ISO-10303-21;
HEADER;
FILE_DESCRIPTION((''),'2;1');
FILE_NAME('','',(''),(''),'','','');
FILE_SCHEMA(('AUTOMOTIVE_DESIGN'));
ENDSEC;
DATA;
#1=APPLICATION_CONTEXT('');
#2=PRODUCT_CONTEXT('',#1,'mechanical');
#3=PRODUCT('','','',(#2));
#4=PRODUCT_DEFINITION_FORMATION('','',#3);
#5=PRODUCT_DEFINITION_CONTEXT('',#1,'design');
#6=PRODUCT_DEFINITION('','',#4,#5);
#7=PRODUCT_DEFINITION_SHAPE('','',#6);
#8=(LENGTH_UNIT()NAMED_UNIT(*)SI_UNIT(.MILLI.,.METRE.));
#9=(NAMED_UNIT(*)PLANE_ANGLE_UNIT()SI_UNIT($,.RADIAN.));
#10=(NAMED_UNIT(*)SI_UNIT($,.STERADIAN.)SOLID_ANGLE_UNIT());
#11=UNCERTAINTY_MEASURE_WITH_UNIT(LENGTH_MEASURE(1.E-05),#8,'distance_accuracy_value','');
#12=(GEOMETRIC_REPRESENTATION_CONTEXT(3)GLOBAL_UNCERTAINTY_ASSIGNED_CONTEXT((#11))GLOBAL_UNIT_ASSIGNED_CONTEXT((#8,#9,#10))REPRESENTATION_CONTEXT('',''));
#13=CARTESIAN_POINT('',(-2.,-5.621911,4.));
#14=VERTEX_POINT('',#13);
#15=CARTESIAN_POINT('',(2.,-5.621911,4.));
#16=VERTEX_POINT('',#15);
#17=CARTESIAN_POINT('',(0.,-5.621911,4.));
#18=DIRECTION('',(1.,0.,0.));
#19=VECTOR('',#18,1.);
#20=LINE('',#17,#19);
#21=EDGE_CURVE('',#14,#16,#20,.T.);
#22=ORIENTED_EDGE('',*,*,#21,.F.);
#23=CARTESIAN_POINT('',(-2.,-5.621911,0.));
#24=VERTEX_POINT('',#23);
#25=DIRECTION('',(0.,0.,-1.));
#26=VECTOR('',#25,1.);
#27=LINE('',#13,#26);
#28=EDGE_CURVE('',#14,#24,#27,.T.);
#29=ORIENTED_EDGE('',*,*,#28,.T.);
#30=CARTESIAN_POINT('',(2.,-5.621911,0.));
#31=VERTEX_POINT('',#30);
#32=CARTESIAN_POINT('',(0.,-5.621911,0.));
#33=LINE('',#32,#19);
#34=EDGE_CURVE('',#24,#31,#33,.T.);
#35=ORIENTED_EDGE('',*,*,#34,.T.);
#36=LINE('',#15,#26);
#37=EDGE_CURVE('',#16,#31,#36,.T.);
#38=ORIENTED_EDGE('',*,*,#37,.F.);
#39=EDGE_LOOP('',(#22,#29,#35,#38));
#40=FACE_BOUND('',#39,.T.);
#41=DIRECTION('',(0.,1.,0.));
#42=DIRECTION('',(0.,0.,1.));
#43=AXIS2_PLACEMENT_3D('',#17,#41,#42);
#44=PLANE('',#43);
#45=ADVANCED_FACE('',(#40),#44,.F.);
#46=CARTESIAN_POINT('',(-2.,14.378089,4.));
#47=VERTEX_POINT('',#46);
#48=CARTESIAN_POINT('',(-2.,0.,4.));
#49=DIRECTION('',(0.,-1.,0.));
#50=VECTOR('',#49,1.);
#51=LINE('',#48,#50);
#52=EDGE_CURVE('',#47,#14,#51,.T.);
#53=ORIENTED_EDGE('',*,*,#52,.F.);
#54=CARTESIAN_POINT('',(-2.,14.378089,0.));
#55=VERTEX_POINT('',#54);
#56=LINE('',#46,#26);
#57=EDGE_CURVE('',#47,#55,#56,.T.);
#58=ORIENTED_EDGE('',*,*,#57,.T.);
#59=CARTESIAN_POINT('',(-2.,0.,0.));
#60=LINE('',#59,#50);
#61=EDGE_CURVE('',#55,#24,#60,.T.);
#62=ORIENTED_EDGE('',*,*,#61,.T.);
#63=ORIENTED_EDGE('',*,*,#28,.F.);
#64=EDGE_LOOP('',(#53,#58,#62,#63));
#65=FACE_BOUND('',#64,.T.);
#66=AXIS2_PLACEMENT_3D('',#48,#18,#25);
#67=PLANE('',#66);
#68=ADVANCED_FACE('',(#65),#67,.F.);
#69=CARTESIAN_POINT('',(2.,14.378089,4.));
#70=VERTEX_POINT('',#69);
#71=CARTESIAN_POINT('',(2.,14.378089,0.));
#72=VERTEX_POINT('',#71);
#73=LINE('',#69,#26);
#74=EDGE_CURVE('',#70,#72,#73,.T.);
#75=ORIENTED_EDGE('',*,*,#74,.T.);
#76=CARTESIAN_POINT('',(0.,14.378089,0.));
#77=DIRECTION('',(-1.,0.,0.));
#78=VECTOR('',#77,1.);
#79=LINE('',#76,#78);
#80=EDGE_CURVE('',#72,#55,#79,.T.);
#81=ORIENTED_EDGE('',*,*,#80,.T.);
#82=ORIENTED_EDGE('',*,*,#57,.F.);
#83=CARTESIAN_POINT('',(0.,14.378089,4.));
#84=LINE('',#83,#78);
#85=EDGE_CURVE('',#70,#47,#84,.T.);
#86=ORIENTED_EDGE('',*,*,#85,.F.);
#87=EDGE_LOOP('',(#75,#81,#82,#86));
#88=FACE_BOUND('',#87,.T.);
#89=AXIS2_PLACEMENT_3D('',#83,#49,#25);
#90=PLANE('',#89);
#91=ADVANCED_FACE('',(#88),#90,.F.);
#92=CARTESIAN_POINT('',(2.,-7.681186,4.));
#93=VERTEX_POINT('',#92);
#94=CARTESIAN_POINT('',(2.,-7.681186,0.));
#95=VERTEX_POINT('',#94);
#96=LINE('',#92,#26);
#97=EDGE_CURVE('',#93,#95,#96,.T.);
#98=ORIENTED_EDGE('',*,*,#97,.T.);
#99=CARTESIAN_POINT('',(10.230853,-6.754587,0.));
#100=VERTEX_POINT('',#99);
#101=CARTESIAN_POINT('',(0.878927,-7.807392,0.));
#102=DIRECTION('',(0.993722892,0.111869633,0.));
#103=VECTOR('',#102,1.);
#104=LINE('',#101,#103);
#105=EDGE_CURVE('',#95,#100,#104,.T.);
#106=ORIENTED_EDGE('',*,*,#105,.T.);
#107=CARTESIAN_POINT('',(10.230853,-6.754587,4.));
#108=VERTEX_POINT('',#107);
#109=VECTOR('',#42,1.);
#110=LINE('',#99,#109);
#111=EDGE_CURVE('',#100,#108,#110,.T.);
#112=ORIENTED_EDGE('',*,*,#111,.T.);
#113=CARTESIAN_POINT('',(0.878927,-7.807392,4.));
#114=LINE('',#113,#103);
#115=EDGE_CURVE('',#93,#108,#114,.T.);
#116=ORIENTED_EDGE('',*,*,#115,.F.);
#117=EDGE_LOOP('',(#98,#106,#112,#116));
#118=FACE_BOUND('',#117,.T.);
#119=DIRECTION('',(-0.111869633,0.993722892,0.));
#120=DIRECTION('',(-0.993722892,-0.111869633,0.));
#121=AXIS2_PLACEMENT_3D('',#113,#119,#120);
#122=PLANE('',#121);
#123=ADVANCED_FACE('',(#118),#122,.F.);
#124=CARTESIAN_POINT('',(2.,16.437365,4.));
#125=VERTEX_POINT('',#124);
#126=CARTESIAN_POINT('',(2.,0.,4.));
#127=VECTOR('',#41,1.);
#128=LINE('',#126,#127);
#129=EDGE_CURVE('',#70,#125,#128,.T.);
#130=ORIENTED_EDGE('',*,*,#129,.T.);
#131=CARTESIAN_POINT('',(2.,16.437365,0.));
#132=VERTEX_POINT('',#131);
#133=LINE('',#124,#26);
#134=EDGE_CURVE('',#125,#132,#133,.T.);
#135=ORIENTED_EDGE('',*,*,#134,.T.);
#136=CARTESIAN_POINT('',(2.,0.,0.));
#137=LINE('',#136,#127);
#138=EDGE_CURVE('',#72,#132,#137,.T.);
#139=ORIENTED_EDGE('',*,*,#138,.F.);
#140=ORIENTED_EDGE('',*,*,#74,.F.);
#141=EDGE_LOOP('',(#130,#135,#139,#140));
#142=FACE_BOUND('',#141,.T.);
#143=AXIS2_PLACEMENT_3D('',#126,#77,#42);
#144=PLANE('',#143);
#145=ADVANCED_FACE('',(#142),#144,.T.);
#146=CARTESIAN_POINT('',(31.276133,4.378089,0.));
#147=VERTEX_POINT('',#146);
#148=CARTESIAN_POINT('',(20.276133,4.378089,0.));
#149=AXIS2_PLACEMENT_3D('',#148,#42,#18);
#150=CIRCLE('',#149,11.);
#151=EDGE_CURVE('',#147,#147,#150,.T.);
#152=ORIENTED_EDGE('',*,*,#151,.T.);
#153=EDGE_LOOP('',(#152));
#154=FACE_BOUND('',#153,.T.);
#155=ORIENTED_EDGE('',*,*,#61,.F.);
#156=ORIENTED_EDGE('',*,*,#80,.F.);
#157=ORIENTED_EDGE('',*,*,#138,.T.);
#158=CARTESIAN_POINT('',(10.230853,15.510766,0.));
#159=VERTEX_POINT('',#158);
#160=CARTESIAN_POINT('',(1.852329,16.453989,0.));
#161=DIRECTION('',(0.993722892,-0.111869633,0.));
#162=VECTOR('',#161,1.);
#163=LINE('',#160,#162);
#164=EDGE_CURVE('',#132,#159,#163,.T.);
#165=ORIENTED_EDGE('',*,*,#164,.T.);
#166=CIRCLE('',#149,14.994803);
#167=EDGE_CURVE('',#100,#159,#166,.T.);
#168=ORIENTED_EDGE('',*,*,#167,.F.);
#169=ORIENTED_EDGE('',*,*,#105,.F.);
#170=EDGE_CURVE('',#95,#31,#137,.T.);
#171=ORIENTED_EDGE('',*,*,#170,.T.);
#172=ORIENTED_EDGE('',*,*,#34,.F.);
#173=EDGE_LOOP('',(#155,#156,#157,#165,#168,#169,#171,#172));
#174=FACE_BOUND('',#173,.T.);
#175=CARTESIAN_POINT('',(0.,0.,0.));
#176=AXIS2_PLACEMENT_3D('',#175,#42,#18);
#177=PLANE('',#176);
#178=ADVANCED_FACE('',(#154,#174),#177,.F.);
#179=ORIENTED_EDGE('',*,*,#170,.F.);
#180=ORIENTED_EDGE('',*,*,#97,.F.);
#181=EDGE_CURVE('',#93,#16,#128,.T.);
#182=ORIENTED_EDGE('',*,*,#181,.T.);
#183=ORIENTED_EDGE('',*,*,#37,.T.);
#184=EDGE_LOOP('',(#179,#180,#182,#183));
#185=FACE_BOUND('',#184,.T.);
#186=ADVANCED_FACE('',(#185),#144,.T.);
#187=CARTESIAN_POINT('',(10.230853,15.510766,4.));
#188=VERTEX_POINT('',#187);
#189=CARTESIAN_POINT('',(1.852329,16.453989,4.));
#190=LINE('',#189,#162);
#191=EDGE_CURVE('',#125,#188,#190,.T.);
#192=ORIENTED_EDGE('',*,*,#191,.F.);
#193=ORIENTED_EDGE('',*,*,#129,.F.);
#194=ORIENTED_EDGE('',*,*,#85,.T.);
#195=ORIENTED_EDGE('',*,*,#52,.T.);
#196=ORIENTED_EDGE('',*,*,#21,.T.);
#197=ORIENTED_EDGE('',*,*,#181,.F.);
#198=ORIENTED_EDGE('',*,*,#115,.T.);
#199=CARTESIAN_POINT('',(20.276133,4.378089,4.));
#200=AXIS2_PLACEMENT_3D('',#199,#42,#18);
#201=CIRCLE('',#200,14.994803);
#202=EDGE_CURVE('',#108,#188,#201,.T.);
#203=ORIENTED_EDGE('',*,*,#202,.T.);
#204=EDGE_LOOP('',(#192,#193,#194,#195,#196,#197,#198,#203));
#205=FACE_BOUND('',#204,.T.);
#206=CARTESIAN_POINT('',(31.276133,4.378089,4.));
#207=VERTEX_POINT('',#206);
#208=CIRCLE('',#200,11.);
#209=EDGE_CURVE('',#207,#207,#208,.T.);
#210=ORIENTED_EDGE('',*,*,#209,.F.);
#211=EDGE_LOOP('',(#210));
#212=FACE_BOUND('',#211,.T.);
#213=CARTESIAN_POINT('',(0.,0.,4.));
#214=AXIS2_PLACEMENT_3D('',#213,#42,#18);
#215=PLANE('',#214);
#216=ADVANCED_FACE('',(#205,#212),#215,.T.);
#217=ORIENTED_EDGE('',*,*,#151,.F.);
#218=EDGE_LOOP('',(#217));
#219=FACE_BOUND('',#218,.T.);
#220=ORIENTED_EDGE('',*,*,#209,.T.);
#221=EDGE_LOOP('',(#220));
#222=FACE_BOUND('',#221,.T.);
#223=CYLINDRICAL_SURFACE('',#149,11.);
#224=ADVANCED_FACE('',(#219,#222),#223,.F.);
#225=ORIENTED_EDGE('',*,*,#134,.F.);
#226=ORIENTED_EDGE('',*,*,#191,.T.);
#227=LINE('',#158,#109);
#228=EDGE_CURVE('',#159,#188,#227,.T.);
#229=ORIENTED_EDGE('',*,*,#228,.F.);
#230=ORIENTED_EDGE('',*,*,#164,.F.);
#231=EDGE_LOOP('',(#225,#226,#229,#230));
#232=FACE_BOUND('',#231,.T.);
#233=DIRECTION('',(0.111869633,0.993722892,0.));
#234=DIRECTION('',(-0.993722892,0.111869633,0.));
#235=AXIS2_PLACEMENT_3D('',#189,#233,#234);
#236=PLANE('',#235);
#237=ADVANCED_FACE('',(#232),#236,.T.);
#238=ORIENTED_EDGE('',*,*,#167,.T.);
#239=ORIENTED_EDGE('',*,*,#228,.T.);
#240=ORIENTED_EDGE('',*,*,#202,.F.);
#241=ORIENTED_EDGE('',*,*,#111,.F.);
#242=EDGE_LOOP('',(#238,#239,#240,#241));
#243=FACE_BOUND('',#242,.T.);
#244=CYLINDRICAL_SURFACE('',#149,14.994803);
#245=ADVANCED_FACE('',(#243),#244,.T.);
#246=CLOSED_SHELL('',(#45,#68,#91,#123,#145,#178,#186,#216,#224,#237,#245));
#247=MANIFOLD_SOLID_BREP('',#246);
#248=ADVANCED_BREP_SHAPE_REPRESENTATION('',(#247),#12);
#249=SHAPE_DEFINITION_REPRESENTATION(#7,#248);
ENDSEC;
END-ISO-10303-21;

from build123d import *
from build123d.topology import SkipClean

# Parameters (mm, degrees)
CROQUIS1_R              = 4.2
SALIENTE_EXTRUIR1_DEPTH = 4
SALIENTE_EXTRUIR2_DEPTH = 4
CROQUIS2_3_R            = 4.2
CORTAR_EXTRUIR1_DEPTH   = 4


with BuildPart() as part:
    # Croquis1 → Saliente-Extruir1 (new body)
    with BuildSketch(Plane.XY):
        with BuildLine():
            Line((2, 14.378089444), (-2, 14.378089444))
            Line((-2, 14.378089444), (-2, -5.621910556))
            Line((-2, -5.621910556), (2, -5.621910556))
            Line((2, -5.621910556), (2, -7.681185842))
            Line((2, -7.681185842), (20.292265124, -5.621910556))
            ThreePointArc((20.292265124, -5.621910556), (30.276145575, 4.378089444), (20.292265124, 14.378089444))
            Line((20.292265124, 14.378089444), (2, 16.43736473))
            Line((2, 16.43736473), (2, 14.378089444))
        make_face()
        with Locations((20.276132562, 4.378089444)):
            Circle(CROQUIS1_R, mode=Mode.SUBTRACT)
    extrude(amount=SALIENTE_EXTRUIR1_DEPTH)

    # Croquis2 → Saliente-Extruir2 (add)
    with BuildSketch(Plane.XY.offset(4)):
        with BuildLine():
            ThreePointArc((10.23085334, -6.754586935), (35.270935596, 4.378089444), (10.23085334, 15.510765823))
            Line((10.23085334, 15.510765823), (16.704250968, 14.782014755))
            ThreePointArc((16.704250968, 14.782014755), (26.667896891, 13.33048291), (31.276132562, 4.378089444))
            ThreePointArc((31.276132562, 4.378089444), (26.667896891, -4.574304022), (16.704250968, -6.025835867))
            Line((16.704250968, -6.025835867), (10.23085334, -6.754586935))
        make_face()
    extrude(amount=-SALIENTE_EXTRUIR2_DEPTH)

    # Croquis2<3> → Cortar-Extruir1 (cut)
    with SkipClean():  # the faces are left unmerged after this step: merging them gives an invalid solid
        with BuildSketch(Plane.XY.offset(4)):
            with BuildLine():
                ThreePointArc((16.704250968, 14.782014755), (15.618415295, 14.343312465), (14.585373454, 13.791657353))
                ThreePointArc((14.585373454, 13.791657353), (9.276534219, 4.472091013), (14.425321372, -4.936845253))
                ThreePointArc((14.425321372, -4.936845253), (15.533426587, -5.546966729), (16.704250968, -6.025835867))
                Line((16.704250968, -6.025835867), (20.292265124, -5.621910556))
                ThreePointArc((20.292265124, -5.621910556), (30.276145575, 4.378089444), (20.292265124, 14.378089444))
                Line((20.292265124, 14.378089444), (16.704250968, 14.782014755))
            make_face()
            with Locations((20.276132562, 4.378089444)):
                Circle(CROQUIS2_3_R, mode=Mode.SUBTRACT)
        extrude(amount=-CORTAR_EXTRUIR1_DEPTH, mode=Mode.SUBTRACT)


solid = part.part
